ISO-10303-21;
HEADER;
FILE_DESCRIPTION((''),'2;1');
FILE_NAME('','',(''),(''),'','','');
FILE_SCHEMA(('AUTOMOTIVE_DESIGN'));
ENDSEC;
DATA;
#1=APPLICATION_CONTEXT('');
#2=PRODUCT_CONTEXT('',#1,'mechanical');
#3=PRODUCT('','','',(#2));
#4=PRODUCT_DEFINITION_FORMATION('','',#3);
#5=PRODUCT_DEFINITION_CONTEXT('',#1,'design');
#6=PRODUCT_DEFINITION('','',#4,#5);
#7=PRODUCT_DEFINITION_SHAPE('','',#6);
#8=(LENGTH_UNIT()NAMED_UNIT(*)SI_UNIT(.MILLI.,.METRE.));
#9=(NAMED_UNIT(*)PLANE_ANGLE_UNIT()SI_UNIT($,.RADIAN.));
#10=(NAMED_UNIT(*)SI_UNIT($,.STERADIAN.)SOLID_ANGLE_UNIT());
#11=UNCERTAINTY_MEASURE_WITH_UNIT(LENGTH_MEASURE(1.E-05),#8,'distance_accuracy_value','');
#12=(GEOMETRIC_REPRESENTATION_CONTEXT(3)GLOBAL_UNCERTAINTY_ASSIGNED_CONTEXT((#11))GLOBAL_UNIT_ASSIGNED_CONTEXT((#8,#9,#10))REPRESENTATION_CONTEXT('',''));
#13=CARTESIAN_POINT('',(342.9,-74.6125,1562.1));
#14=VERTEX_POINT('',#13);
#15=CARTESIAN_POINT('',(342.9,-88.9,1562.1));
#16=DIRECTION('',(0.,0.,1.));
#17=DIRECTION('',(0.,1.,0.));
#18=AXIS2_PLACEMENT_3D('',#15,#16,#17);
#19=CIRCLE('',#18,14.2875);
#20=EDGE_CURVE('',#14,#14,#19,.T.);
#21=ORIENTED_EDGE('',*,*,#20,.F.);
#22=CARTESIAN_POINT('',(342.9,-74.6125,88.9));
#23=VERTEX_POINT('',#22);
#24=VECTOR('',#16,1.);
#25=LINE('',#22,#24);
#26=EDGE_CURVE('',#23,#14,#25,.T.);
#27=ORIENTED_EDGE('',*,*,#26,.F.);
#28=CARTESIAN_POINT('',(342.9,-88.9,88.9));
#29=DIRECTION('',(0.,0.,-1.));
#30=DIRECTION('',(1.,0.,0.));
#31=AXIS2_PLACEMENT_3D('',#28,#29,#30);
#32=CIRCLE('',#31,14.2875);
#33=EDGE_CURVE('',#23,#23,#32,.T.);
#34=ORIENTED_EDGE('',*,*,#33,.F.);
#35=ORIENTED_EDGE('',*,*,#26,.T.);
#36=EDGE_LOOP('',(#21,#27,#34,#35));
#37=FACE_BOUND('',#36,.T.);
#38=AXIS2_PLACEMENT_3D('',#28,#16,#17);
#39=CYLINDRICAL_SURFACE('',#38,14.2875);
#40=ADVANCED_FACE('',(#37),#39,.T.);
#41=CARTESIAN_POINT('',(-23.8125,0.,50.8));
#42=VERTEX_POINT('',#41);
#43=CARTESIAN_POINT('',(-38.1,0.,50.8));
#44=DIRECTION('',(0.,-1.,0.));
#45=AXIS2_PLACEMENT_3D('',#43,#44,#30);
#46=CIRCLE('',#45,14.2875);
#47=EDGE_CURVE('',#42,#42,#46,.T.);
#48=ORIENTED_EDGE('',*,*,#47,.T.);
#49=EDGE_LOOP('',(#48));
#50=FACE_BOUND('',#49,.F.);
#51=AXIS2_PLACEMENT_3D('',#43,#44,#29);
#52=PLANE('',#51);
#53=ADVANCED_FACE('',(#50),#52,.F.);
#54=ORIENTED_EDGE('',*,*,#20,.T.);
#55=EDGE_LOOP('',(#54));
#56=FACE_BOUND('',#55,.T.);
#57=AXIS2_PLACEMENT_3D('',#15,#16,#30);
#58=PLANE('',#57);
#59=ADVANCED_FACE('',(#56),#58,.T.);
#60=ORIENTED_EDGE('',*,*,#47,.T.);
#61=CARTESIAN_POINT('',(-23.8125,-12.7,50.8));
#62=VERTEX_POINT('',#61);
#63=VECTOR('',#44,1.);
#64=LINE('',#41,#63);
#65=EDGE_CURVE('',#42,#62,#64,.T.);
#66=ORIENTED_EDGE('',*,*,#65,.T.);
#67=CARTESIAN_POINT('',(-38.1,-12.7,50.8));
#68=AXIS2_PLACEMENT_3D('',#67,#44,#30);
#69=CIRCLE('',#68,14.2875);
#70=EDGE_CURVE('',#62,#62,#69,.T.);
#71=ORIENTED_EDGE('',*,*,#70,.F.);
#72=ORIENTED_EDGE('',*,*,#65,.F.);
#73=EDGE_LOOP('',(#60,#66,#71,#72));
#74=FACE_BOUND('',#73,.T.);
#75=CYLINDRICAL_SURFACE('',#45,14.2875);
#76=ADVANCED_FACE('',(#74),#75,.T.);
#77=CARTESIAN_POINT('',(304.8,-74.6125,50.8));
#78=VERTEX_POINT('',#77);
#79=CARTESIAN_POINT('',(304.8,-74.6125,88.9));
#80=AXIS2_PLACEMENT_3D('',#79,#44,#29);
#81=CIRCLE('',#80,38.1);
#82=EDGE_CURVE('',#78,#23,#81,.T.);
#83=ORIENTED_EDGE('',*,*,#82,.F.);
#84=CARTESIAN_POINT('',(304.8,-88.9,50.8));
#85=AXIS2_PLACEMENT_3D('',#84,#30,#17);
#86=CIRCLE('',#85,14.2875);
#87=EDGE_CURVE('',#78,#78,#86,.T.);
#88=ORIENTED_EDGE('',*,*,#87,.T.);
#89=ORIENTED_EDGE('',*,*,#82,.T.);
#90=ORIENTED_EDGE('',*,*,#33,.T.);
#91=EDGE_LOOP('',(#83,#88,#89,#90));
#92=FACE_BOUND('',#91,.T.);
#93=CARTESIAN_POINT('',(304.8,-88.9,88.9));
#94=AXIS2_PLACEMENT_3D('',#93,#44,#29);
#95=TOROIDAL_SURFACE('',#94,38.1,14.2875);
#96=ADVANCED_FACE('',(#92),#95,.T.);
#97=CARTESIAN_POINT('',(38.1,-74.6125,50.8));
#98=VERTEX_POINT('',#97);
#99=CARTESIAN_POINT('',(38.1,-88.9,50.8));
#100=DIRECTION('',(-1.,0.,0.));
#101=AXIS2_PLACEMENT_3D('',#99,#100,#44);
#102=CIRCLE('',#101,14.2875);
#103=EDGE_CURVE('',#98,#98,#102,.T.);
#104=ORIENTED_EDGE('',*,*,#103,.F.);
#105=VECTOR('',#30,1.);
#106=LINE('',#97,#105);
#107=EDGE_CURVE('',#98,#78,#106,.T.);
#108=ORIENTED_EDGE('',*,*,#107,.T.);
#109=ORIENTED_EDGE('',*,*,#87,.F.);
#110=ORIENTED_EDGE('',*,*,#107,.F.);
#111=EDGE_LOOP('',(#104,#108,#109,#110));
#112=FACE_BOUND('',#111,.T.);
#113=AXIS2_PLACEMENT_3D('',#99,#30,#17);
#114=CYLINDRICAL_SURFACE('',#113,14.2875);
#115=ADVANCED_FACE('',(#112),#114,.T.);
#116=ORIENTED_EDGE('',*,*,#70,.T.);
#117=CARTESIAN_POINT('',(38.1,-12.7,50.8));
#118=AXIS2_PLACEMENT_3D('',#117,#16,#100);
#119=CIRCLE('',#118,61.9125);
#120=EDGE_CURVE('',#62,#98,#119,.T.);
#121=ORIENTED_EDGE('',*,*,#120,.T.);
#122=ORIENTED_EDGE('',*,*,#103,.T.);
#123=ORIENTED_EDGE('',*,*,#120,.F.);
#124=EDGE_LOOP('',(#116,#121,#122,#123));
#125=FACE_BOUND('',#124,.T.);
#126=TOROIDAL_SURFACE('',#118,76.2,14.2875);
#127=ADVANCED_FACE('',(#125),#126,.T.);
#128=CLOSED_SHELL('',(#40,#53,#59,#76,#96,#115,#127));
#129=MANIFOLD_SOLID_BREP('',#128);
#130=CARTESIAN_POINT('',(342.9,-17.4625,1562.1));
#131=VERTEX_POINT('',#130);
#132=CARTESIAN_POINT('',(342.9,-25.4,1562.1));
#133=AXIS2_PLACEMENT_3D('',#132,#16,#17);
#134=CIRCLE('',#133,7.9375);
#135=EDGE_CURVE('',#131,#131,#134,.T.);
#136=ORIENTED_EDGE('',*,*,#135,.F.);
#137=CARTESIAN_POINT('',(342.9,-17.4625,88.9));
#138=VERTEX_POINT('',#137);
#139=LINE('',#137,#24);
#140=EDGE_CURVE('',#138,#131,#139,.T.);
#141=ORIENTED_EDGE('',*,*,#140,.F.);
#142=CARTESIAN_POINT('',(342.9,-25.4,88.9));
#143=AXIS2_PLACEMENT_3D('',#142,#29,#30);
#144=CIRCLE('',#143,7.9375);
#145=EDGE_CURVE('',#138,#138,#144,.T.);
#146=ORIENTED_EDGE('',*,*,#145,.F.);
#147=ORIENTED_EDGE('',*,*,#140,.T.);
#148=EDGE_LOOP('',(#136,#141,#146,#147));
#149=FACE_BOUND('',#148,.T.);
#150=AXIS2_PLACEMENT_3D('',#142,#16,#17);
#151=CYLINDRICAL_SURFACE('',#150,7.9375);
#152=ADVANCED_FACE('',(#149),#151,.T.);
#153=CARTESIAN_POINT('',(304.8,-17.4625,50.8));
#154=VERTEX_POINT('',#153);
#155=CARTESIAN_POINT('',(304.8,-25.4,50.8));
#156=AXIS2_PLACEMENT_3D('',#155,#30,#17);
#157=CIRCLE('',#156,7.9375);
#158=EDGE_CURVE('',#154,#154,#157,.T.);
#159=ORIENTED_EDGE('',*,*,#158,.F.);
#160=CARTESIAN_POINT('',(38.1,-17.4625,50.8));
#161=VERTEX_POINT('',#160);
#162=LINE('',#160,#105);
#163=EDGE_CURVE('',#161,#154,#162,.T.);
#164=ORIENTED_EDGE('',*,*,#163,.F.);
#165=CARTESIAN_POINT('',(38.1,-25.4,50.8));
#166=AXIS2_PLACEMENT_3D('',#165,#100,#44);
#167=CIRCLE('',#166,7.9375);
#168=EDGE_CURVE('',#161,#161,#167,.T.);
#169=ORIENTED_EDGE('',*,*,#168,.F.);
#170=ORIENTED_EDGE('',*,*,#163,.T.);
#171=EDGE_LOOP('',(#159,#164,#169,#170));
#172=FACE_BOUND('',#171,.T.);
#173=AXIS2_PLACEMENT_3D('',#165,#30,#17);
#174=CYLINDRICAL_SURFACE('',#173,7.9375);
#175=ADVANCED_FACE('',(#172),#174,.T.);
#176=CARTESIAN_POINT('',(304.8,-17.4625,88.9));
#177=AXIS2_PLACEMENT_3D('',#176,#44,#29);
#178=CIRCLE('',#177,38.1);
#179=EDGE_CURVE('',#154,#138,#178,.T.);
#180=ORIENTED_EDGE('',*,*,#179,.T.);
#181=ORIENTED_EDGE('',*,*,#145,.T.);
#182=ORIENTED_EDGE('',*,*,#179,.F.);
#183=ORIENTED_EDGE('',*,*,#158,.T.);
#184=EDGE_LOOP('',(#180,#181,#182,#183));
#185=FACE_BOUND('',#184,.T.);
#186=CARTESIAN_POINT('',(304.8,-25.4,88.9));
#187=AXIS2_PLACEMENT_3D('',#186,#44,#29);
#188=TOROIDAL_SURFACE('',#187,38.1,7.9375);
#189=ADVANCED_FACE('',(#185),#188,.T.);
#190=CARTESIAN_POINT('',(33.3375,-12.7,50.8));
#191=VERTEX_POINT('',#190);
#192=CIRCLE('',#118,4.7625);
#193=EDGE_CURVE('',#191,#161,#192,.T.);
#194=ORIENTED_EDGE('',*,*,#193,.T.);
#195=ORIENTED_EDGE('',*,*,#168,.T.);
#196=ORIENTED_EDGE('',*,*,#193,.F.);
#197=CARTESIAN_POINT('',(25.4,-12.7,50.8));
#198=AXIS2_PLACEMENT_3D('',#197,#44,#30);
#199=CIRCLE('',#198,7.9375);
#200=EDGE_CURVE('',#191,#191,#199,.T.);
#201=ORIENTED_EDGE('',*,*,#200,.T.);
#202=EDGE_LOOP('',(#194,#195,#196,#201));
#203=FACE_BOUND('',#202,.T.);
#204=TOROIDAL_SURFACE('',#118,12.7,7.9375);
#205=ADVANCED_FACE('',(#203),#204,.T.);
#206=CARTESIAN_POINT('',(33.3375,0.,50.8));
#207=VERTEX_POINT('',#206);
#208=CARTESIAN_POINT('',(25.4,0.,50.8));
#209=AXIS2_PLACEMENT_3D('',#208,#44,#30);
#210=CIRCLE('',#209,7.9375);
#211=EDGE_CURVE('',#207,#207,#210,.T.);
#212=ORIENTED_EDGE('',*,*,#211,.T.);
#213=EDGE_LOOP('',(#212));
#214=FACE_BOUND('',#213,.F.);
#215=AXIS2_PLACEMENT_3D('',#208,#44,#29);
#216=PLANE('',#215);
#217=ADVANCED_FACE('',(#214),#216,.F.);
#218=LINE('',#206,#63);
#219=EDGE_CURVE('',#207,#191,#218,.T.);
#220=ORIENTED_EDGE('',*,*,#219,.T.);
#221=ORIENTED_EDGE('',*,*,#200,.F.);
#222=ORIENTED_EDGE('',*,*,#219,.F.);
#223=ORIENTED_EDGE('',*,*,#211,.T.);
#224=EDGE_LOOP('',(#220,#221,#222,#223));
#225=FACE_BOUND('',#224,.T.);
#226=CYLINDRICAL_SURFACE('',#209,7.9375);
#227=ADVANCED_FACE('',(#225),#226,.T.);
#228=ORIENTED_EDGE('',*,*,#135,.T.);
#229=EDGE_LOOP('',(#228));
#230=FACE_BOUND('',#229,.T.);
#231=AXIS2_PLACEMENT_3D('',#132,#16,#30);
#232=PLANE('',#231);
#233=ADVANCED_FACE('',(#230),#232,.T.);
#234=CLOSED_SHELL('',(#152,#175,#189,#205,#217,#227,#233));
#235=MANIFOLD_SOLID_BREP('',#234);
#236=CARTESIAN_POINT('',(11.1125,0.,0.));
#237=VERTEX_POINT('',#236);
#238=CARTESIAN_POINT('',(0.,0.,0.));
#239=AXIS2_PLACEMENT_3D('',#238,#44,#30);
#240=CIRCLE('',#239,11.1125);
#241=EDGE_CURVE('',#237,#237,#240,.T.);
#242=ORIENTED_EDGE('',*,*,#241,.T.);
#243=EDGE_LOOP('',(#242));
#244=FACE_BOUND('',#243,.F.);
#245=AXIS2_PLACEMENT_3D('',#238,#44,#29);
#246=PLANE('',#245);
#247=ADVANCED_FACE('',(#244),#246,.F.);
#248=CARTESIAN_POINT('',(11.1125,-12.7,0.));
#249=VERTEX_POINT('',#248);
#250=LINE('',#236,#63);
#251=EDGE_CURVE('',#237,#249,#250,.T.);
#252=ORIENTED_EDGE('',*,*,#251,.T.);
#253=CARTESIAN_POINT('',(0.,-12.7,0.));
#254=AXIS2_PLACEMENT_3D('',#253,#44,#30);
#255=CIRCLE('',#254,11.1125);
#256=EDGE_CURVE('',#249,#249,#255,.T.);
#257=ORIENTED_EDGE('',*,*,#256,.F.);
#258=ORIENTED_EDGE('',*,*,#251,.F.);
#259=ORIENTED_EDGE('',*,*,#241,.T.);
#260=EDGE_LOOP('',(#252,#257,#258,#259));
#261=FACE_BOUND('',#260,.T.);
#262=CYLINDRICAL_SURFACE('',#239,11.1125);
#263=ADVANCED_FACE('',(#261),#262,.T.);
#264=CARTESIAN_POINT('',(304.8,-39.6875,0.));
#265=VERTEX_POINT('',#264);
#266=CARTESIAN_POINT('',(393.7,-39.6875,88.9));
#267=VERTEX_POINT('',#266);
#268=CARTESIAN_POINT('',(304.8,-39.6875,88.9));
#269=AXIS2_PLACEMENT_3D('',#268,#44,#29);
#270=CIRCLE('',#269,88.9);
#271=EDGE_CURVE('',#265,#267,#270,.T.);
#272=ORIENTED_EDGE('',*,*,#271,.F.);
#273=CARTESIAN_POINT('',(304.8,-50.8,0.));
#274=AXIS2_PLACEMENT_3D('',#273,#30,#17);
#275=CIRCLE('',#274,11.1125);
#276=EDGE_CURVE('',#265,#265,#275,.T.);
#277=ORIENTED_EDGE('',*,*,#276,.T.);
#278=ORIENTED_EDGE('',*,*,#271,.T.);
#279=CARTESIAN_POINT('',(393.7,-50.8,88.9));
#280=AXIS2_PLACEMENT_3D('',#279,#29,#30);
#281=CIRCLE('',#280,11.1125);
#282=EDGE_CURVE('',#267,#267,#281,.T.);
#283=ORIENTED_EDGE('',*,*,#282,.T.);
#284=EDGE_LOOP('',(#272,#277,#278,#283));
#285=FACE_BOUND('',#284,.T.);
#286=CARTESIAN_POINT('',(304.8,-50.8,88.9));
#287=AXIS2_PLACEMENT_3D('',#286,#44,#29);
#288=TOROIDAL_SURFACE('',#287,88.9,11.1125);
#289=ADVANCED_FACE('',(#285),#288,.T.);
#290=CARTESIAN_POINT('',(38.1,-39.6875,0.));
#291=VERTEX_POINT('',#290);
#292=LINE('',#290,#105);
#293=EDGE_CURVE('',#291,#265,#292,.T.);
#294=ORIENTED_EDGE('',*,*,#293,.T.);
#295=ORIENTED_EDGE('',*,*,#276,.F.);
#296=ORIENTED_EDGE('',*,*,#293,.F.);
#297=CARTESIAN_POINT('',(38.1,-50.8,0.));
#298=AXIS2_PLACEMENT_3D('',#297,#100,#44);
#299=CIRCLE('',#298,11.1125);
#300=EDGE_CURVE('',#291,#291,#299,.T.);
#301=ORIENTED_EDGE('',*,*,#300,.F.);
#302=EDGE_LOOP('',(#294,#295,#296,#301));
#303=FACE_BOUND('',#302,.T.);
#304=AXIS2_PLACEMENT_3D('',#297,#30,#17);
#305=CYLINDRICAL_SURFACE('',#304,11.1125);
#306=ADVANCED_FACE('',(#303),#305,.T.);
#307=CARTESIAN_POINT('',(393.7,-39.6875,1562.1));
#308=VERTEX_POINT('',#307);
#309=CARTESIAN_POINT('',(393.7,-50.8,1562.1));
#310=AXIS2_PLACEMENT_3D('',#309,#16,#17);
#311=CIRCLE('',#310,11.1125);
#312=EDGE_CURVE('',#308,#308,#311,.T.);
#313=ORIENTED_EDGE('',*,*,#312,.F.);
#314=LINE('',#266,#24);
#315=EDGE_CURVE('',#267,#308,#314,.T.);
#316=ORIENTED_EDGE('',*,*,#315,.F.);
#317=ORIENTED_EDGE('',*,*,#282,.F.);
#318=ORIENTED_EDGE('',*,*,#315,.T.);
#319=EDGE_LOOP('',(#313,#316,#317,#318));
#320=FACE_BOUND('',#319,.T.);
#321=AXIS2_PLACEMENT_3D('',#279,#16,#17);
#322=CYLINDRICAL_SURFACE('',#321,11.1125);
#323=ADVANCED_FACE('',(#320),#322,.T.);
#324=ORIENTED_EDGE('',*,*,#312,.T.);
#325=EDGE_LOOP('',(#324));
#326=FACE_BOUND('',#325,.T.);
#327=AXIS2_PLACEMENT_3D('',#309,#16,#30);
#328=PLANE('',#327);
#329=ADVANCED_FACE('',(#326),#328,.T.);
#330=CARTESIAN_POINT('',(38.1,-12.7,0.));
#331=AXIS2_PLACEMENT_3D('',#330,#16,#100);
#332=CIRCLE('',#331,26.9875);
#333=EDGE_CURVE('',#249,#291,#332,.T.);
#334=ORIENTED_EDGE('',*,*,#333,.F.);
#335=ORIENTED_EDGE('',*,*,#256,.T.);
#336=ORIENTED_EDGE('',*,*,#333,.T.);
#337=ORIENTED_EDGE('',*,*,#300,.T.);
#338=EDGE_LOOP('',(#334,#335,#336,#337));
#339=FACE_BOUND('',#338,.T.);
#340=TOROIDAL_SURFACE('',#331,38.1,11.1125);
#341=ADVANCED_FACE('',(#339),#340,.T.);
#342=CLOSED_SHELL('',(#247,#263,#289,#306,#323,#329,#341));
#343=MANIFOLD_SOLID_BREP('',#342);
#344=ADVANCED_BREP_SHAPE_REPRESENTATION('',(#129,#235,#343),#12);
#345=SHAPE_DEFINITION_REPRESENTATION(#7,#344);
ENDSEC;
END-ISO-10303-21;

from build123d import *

# Parameters (mm, degrees)
F0_R        = 11.1125
F0_R_2      = 7.9375
F0_R_3      = 14.2875
F2_FACE_R   = 7.9375
F2_FACE_R_2 = 14.2875
F2_FACE_R_3 = 11.1125


with BuildPart() as f2:
    # F2: sweep along a path in F1
    with BuildLine(Plane.XY) as f2_path:
        Line((0, 0), (0, -12.7))
        ThreePointArc((0, -12.7), (11.1592316368, -39.6407683632), (38.1, -50.8))
        Line((38.1, -50.8), (304.8, -50.8))
    # F0 (on Front) → F2 (sweep)
    with BuildSketch(Plane.XZ):
        Circle(F0_R)
        with Locations((25.4, 50.8)):
            Circle(F0_R_2)
        with Locations((-38.1, 50.8)):
            Circle(F0_R_3)
    sweep(path=f2_path.line)

    # F5: sweep along a path in F4
    with BuildLine(Plane.XZ.offset(50.8)) as f5_path:
        ThreePointArc((304.8, 50.8), (331.7407683632, 61.9592316368), (342.9, 88.9))
        Line((342.9, 88.9), (342.9, 1562.1))
    # F2_face (on face) → F5 (sweep)
    with BuildSketch(Plane(origin=(304.8, -25.4, 50.8), x_dir=(0, 1, 0), z_dir=(1, 0, 0))):
        Circle(F2_FACE_R)
        with Locations((-63.5, 0)):
            Circle(F2_FACE_R_2)
        with Locations((-25.4, -50.8)):
            Circle(F2_FACE_R_3)
    sweep(path=f5_path.line)


solid = f2.part
